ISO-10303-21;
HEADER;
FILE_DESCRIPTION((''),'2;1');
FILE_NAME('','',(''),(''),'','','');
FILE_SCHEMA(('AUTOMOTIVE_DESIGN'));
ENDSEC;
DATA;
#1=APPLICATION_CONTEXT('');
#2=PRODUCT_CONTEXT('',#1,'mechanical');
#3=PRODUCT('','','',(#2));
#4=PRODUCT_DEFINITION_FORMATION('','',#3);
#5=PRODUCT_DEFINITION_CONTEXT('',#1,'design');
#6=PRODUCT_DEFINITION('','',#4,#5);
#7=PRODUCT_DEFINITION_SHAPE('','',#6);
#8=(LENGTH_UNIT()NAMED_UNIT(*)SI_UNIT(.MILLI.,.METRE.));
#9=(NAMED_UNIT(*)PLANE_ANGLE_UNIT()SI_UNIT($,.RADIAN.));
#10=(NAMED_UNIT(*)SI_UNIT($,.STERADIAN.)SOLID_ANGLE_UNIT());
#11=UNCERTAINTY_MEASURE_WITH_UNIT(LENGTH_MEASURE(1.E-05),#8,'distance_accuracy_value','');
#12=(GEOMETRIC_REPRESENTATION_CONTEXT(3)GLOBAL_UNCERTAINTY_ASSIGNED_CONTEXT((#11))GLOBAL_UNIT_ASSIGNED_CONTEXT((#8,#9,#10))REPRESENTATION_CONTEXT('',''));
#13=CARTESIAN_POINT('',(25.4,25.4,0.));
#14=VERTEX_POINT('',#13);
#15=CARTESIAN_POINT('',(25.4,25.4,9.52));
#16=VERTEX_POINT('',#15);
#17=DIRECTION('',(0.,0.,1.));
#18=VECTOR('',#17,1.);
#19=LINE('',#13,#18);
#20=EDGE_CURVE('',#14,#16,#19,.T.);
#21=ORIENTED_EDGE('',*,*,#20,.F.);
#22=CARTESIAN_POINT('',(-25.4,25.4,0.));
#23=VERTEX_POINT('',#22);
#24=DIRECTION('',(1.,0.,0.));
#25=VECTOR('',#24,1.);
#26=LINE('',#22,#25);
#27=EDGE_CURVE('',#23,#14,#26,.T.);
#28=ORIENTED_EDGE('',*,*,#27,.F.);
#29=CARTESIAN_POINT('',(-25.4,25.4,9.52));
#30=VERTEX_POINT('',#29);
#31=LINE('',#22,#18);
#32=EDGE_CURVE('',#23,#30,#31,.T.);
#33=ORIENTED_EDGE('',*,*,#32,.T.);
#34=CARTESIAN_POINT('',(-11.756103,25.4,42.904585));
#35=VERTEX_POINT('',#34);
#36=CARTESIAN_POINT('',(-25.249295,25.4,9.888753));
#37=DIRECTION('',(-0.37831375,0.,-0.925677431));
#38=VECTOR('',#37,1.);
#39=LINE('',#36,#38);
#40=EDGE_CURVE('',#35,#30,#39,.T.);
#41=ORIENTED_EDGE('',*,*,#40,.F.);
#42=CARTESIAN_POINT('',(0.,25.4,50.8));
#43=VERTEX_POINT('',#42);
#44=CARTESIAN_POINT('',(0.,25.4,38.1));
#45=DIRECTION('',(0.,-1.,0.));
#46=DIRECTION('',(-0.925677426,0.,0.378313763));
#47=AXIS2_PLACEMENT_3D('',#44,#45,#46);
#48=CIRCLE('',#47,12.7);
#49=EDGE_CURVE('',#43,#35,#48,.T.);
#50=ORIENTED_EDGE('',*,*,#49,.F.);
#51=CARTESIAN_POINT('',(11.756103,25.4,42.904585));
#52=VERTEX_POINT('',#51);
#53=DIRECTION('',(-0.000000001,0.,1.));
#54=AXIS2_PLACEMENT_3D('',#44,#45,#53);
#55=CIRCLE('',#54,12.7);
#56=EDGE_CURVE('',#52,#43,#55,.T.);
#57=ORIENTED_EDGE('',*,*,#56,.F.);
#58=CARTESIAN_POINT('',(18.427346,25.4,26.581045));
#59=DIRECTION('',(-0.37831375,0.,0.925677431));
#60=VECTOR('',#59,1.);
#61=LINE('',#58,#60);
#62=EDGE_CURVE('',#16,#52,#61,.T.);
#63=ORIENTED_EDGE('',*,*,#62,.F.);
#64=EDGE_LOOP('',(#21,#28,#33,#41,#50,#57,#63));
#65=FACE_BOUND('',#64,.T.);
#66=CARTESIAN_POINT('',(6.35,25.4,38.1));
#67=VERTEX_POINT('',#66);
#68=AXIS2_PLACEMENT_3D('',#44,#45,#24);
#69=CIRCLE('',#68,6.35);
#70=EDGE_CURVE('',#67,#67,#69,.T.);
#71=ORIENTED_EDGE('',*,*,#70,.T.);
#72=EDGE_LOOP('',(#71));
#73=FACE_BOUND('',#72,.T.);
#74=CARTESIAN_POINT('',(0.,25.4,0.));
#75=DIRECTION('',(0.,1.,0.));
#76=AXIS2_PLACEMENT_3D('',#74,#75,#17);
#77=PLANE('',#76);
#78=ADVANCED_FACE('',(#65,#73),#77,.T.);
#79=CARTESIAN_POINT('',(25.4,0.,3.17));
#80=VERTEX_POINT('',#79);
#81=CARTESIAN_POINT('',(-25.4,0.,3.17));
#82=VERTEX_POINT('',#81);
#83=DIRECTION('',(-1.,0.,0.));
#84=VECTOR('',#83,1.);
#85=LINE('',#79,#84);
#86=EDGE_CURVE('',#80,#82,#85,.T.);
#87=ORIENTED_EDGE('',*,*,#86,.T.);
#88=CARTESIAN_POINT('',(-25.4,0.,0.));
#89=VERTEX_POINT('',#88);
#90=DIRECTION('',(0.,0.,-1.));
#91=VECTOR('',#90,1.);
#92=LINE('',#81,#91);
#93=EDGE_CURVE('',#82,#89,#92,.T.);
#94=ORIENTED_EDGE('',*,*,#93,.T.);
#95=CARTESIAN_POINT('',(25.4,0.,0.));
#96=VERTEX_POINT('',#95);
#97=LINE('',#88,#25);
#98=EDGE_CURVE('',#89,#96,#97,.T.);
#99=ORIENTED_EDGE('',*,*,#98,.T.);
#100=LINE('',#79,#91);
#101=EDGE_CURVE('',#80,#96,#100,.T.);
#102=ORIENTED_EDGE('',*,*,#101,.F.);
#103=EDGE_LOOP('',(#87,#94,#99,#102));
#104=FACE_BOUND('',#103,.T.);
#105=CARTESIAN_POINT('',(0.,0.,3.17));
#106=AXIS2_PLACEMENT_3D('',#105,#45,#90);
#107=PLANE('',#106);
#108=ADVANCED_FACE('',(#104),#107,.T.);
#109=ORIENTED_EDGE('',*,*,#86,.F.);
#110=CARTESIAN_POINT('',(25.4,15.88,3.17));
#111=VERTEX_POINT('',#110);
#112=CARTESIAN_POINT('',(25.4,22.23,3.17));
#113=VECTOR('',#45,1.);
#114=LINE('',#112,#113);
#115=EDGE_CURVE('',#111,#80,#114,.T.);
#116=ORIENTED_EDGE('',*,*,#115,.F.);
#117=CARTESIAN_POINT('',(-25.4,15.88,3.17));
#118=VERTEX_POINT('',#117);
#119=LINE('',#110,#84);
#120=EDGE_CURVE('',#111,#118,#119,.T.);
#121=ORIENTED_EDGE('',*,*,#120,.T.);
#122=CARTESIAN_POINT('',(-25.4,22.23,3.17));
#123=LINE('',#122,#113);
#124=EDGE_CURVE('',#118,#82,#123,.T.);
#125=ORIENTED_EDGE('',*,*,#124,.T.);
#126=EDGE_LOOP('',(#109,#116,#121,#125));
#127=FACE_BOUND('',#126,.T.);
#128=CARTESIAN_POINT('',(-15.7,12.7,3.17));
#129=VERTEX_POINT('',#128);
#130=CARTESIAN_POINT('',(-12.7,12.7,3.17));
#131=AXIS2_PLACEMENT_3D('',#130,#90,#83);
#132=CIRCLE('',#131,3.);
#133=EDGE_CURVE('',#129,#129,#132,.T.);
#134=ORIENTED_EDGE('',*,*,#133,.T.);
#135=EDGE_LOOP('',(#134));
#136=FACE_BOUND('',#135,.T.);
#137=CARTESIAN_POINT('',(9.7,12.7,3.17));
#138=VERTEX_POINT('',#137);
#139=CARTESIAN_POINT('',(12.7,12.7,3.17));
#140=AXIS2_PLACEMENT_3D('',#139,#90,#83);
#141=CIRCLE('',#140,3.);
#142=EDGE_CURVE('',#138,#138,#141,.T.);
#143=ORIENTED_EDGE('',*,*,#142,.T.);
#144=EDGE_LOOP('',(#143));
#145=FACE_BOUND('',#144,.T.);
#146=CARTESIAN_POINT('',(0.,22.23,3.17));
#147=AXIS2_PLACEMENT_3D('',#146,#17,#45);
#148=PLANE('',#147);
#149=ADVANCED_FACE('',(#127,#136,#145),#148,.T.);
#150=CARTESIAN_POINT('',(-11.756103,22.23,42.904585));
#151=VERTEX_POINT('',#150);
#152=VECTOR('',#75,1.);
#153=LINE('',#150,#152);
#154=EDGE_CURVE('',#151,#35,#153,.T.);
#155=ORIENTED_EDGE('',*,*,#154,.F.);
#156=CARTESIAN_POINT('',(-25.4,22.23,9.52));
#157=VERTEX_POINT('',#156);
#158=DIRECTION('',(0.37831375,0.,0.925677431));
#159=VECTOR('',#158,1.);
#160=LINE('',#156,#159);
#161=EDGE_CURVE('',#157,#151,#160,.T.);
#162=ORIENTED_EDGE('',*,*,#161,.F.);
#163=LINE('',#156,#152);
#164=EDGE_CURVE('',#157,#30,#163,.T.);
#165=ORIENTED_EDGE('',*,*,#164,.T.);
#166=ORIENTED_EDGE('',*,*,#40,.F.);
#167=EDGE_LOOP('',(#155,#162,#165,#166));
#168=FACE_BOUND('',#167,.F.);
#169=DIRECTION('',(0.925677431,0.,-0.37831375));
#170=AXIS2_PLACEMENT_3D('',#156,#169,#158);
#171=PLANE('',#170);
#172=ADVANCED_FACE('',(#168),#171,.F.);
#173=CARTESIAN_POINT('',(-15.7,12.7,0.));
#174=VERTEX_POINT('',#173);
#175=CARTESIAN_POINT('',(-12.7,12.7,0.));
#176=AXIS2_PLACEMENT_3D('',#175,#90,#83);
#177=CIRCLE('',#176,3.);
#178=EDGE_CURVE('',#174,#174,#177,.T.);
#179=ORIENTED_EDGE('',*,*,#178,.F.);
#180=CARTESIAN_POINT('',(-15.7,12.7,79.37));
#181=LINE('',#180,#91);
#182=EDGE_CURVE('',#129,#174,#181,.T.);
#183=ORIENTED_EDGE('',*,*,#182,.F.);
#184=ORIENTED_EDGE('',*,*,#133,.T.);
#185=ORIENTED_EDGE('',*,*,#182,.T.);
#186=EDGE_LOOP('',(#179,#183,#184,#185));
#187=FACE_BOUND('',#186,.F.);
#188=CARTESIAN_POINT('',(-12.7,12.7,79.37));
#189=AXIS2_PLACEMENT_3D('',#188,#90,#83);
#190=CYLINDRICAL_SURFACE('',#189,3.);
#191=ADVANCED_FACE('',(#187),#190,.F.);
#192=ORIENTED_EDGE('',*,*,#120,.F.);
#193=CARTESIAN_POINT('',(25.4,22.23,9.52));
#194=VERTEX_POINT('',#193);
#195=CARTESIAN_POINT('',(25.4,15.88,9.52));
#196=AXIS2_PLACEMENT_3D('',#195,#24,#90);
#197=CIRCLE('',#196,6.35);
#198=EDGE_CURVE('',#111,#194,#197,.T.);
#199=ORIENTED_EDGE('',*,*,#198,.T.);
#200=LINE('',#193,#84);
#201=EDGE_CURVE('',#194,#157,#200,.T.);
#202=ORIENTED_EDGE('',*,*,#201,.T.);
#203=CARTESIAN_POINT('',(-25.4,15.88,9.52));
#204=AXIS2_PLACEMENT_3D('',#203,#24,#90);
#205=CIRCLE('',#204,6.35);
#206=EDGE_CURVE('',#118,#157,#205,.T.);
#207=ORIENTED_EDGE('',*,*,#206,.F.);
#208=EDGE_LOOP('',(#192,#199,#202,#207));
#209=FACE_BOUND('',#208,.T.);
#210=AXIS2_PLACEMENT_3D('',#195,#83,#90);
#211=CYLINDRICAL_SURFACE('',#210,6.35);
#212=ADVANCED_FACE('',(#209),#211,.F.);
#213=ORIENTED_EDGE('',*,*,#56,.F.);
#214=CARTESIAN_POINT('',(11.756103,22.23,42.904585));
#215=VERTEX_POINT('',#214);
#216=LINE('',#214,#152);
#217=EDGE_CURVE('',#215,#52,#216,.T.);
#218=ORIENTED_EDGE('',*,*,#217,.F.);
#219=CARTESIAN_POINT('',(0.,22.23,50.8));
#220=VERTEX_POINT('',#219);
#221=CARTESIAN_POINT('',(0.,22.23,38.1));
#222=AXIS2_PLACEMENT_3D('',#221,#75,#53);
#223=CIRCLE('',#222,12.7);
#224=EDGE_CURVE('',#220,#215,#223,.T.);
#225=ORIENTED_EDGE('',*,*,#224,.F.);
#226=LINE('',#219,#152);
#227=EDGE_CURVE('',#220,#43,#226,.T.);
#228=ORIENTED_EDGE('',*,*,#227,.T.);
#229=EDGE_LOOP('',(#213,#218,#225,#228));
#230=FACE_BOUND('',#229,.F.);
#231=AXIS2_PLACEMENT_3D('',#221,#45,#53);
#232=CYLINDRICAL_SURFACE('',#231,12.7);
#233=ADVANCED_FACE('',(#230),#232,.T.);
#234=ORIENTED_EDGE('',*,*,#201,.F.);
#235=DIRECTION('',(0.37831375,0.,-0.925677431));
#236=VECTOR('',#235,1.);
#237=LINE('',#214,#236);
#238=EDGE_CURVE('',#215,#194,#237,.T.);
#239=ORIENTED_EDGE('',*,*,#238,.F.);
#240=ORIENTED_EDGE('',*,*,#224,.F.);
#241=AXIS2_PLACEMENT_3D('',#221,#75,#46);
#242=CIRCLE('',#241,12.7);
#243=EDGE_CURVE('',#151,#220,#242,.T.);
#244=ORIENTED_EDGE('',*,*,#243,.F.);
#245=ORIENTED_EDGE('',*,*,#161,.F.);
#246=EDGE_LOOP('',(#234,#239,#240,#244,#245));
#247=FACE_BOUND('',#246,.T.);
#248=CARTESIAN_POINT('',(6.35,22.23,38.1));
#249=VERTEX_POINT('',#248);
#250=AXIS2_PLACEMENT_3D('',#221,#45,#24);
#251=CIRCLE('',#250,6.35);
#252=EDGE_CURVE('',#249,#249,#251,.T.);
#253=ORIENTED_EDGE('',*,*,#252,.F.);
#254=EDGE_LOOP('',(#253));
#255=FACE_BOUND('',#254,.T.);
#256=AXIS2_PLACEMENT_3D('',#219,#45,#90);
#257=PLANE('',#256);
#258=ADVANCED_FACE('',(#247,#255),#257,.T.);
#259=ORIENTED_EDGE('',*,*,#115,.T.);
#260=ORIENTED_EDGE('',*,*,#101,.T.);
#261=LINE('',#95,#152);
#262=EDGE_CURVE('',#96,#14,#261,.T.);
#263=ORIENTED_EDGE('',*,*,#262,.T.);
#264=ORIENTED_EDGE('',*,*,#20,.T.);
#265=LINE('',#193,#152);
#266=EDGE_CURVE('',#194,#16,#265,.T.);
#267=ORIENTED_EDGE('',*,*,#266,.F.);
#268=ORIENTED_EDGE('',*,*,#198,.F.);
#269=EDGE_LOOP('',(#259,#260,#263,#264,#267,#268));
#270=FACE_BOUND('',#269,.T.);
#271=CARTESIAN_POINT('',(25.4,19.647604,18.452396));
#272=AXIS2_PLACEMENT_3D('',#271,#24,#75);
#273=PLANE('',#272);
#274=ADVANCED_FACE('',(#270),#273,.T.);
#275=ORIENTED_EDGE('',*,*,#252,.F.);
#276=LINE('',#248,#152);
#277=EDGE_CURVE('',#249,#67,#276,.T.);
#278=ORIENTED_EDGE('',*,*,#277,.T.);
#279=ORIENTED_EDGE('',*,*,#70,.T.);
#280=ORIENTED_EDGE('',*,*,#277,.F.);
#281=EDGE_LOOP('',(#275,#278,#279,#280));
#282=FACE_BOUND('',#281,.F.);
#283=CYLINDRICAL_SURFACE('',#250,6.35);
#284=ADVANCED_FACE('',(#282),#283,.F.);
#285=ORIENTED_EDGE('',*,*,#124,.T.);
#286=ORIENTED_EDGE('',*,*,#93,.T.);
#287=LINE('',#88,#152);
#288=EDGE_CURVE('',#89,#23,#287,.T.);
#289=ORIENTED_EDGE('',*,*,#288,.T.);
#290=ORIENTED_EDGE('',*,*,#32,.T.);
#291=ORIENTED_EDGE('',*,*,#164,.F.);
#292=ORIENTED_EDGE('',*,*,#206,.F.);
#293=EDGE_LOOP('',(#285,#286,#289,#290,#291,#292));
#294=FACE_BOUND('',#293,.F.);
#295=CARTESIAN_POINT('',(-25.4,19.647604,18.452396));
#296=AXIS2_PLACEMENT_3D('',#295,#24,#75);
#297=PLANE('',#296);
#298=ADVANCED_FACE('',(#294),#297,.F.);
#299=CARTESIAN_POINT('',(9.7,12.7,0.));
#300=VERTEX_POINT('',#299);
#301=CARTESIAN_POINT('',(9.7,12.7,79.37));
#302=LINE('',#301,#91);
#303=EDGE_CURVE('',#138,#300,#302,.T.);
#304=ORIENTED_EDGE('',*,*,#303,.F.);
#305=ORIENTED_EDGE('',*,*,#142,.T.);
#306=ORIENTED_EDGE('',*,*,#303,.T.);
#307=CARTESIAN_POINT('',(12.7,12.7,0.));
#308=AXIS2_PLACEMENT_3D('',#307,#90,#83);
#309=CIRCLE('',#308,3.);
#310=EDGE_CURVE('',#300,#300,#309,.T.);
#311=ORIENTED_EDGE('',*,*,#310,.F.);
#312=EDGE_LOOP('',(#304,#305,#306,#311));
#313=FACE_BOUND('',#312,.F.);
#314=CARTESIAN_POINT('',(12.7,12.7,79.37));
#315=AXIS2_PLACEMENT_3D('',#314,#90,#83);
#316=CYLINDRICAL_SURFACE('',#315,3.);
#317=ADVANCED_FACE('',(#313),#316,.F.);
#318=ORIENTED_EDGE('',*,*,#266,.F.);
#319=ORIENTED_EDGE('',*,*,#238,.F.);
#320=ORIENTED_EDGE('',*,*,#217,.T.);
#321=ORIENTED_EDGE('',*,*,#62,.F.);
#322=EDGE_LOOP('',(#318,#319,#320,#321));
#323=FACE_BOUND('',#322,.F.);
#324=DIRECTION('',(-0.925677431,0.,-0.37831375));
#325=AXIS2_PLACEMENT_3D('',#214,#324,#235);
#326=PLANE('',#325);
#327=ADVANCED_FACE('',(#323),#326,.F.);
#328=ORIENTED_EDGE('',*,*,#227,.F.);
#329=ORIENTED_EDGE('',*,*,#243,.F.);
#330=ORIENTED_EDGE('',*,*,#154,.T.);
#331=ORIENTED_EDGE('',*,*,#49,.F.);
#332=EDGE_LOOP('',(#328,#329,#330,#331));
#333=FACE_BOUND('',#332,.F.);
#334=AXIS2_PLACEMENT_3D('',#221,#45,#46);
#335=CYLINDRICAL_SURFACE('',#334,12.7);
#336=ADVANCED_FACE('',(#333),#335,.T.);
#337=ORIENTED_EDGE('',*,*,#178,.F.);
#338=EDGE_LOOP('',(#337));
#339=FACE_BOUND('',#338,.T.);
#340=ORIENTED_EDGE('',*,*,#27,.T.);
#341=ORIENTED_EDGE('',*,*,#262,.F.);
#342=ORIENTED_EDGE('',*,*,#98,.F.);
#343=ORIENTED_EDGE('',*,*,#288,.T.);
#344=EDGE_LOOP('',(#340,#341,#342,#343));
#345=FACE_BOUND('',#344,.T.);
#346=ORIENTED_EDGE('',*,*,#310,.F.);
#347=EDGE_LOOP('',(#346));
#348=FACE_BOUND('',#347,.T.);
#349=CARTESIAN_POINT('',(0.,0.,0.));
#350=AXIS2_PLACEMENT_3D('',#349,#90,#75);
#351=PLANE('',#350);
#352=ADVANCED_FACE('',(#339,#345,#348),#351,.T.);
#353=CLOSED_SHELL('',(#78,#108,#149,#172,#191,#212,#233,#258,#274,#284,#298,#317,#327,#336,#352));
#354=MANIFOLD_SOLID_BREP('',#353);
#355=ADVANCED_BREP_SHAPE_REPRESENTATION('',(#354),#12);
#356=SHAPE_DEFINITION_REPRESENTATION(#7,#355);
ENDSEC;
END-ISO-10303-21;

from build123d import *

# Parameters (mm, degrees)
F1_DEPTH = 25.4
F2_R     = 6.35
F4_D     = 6
F5_R     = 6.35
F6_DEPTH = 3.171


with BuildPart() as f1:
    # F0 (on Right) → F1 (new body, symmetric)
    with BuildSketch(Plane.YZ):
        Polygon((0, 3.17), (0, 0), (25.4, 0), (25.4, 50.8), (22.23, 50.8), (22.23, 3.17), align=None)
    extrude(amount=F1_DEPTH, both=True)

    # F2
    f2_edges = [f1.edges().sort_by_distance(p)[0] for p in [
        (0, 22.23, 3.17),
    ]]
    fillet(f2_edges, radius=F2_R)

    # F4 (through all)
    with Locations(Plane.XY.offset(3.17)):
        with Locations((-12.7, 12.7), (12.7, 12.7)):
            Hole(F4_D / 2)

    # F5 (on face) → F6 (cut, through all)
    with BuildSketch(Plane.XZ.offset(-22.23)):
        with BuildLine():
            Line((-25.4, 9.52), (-11.756103, 42.904585))
            ThreePointArc((-11.756103, 42.904585), (-7.08067, 48.642965), (0, 50.8))
            Line((0, 50.8), (-25.4, 50.8))
            Line((-25.4, 50.8), (-25.4, 9.52))
        make_face()
        with BuildLine():
            ThreePointArc((0, 50.8), (7.08067, 48.642965), (11.756103, 42.904585))
            Line((11.756103, 42.904585), (25.4, 9.52))
            Line((25.4, 9.52), (25.4, 50.8))
            Line((25.4, 50.8), (0, 50.8))
        make_face()
        with Locations((0, 38.1)):
            Circle(F5_R)
    extrude(amount=-F6_DEPTH, mode=Mode.SUBTRACT)


solid = f1.part
